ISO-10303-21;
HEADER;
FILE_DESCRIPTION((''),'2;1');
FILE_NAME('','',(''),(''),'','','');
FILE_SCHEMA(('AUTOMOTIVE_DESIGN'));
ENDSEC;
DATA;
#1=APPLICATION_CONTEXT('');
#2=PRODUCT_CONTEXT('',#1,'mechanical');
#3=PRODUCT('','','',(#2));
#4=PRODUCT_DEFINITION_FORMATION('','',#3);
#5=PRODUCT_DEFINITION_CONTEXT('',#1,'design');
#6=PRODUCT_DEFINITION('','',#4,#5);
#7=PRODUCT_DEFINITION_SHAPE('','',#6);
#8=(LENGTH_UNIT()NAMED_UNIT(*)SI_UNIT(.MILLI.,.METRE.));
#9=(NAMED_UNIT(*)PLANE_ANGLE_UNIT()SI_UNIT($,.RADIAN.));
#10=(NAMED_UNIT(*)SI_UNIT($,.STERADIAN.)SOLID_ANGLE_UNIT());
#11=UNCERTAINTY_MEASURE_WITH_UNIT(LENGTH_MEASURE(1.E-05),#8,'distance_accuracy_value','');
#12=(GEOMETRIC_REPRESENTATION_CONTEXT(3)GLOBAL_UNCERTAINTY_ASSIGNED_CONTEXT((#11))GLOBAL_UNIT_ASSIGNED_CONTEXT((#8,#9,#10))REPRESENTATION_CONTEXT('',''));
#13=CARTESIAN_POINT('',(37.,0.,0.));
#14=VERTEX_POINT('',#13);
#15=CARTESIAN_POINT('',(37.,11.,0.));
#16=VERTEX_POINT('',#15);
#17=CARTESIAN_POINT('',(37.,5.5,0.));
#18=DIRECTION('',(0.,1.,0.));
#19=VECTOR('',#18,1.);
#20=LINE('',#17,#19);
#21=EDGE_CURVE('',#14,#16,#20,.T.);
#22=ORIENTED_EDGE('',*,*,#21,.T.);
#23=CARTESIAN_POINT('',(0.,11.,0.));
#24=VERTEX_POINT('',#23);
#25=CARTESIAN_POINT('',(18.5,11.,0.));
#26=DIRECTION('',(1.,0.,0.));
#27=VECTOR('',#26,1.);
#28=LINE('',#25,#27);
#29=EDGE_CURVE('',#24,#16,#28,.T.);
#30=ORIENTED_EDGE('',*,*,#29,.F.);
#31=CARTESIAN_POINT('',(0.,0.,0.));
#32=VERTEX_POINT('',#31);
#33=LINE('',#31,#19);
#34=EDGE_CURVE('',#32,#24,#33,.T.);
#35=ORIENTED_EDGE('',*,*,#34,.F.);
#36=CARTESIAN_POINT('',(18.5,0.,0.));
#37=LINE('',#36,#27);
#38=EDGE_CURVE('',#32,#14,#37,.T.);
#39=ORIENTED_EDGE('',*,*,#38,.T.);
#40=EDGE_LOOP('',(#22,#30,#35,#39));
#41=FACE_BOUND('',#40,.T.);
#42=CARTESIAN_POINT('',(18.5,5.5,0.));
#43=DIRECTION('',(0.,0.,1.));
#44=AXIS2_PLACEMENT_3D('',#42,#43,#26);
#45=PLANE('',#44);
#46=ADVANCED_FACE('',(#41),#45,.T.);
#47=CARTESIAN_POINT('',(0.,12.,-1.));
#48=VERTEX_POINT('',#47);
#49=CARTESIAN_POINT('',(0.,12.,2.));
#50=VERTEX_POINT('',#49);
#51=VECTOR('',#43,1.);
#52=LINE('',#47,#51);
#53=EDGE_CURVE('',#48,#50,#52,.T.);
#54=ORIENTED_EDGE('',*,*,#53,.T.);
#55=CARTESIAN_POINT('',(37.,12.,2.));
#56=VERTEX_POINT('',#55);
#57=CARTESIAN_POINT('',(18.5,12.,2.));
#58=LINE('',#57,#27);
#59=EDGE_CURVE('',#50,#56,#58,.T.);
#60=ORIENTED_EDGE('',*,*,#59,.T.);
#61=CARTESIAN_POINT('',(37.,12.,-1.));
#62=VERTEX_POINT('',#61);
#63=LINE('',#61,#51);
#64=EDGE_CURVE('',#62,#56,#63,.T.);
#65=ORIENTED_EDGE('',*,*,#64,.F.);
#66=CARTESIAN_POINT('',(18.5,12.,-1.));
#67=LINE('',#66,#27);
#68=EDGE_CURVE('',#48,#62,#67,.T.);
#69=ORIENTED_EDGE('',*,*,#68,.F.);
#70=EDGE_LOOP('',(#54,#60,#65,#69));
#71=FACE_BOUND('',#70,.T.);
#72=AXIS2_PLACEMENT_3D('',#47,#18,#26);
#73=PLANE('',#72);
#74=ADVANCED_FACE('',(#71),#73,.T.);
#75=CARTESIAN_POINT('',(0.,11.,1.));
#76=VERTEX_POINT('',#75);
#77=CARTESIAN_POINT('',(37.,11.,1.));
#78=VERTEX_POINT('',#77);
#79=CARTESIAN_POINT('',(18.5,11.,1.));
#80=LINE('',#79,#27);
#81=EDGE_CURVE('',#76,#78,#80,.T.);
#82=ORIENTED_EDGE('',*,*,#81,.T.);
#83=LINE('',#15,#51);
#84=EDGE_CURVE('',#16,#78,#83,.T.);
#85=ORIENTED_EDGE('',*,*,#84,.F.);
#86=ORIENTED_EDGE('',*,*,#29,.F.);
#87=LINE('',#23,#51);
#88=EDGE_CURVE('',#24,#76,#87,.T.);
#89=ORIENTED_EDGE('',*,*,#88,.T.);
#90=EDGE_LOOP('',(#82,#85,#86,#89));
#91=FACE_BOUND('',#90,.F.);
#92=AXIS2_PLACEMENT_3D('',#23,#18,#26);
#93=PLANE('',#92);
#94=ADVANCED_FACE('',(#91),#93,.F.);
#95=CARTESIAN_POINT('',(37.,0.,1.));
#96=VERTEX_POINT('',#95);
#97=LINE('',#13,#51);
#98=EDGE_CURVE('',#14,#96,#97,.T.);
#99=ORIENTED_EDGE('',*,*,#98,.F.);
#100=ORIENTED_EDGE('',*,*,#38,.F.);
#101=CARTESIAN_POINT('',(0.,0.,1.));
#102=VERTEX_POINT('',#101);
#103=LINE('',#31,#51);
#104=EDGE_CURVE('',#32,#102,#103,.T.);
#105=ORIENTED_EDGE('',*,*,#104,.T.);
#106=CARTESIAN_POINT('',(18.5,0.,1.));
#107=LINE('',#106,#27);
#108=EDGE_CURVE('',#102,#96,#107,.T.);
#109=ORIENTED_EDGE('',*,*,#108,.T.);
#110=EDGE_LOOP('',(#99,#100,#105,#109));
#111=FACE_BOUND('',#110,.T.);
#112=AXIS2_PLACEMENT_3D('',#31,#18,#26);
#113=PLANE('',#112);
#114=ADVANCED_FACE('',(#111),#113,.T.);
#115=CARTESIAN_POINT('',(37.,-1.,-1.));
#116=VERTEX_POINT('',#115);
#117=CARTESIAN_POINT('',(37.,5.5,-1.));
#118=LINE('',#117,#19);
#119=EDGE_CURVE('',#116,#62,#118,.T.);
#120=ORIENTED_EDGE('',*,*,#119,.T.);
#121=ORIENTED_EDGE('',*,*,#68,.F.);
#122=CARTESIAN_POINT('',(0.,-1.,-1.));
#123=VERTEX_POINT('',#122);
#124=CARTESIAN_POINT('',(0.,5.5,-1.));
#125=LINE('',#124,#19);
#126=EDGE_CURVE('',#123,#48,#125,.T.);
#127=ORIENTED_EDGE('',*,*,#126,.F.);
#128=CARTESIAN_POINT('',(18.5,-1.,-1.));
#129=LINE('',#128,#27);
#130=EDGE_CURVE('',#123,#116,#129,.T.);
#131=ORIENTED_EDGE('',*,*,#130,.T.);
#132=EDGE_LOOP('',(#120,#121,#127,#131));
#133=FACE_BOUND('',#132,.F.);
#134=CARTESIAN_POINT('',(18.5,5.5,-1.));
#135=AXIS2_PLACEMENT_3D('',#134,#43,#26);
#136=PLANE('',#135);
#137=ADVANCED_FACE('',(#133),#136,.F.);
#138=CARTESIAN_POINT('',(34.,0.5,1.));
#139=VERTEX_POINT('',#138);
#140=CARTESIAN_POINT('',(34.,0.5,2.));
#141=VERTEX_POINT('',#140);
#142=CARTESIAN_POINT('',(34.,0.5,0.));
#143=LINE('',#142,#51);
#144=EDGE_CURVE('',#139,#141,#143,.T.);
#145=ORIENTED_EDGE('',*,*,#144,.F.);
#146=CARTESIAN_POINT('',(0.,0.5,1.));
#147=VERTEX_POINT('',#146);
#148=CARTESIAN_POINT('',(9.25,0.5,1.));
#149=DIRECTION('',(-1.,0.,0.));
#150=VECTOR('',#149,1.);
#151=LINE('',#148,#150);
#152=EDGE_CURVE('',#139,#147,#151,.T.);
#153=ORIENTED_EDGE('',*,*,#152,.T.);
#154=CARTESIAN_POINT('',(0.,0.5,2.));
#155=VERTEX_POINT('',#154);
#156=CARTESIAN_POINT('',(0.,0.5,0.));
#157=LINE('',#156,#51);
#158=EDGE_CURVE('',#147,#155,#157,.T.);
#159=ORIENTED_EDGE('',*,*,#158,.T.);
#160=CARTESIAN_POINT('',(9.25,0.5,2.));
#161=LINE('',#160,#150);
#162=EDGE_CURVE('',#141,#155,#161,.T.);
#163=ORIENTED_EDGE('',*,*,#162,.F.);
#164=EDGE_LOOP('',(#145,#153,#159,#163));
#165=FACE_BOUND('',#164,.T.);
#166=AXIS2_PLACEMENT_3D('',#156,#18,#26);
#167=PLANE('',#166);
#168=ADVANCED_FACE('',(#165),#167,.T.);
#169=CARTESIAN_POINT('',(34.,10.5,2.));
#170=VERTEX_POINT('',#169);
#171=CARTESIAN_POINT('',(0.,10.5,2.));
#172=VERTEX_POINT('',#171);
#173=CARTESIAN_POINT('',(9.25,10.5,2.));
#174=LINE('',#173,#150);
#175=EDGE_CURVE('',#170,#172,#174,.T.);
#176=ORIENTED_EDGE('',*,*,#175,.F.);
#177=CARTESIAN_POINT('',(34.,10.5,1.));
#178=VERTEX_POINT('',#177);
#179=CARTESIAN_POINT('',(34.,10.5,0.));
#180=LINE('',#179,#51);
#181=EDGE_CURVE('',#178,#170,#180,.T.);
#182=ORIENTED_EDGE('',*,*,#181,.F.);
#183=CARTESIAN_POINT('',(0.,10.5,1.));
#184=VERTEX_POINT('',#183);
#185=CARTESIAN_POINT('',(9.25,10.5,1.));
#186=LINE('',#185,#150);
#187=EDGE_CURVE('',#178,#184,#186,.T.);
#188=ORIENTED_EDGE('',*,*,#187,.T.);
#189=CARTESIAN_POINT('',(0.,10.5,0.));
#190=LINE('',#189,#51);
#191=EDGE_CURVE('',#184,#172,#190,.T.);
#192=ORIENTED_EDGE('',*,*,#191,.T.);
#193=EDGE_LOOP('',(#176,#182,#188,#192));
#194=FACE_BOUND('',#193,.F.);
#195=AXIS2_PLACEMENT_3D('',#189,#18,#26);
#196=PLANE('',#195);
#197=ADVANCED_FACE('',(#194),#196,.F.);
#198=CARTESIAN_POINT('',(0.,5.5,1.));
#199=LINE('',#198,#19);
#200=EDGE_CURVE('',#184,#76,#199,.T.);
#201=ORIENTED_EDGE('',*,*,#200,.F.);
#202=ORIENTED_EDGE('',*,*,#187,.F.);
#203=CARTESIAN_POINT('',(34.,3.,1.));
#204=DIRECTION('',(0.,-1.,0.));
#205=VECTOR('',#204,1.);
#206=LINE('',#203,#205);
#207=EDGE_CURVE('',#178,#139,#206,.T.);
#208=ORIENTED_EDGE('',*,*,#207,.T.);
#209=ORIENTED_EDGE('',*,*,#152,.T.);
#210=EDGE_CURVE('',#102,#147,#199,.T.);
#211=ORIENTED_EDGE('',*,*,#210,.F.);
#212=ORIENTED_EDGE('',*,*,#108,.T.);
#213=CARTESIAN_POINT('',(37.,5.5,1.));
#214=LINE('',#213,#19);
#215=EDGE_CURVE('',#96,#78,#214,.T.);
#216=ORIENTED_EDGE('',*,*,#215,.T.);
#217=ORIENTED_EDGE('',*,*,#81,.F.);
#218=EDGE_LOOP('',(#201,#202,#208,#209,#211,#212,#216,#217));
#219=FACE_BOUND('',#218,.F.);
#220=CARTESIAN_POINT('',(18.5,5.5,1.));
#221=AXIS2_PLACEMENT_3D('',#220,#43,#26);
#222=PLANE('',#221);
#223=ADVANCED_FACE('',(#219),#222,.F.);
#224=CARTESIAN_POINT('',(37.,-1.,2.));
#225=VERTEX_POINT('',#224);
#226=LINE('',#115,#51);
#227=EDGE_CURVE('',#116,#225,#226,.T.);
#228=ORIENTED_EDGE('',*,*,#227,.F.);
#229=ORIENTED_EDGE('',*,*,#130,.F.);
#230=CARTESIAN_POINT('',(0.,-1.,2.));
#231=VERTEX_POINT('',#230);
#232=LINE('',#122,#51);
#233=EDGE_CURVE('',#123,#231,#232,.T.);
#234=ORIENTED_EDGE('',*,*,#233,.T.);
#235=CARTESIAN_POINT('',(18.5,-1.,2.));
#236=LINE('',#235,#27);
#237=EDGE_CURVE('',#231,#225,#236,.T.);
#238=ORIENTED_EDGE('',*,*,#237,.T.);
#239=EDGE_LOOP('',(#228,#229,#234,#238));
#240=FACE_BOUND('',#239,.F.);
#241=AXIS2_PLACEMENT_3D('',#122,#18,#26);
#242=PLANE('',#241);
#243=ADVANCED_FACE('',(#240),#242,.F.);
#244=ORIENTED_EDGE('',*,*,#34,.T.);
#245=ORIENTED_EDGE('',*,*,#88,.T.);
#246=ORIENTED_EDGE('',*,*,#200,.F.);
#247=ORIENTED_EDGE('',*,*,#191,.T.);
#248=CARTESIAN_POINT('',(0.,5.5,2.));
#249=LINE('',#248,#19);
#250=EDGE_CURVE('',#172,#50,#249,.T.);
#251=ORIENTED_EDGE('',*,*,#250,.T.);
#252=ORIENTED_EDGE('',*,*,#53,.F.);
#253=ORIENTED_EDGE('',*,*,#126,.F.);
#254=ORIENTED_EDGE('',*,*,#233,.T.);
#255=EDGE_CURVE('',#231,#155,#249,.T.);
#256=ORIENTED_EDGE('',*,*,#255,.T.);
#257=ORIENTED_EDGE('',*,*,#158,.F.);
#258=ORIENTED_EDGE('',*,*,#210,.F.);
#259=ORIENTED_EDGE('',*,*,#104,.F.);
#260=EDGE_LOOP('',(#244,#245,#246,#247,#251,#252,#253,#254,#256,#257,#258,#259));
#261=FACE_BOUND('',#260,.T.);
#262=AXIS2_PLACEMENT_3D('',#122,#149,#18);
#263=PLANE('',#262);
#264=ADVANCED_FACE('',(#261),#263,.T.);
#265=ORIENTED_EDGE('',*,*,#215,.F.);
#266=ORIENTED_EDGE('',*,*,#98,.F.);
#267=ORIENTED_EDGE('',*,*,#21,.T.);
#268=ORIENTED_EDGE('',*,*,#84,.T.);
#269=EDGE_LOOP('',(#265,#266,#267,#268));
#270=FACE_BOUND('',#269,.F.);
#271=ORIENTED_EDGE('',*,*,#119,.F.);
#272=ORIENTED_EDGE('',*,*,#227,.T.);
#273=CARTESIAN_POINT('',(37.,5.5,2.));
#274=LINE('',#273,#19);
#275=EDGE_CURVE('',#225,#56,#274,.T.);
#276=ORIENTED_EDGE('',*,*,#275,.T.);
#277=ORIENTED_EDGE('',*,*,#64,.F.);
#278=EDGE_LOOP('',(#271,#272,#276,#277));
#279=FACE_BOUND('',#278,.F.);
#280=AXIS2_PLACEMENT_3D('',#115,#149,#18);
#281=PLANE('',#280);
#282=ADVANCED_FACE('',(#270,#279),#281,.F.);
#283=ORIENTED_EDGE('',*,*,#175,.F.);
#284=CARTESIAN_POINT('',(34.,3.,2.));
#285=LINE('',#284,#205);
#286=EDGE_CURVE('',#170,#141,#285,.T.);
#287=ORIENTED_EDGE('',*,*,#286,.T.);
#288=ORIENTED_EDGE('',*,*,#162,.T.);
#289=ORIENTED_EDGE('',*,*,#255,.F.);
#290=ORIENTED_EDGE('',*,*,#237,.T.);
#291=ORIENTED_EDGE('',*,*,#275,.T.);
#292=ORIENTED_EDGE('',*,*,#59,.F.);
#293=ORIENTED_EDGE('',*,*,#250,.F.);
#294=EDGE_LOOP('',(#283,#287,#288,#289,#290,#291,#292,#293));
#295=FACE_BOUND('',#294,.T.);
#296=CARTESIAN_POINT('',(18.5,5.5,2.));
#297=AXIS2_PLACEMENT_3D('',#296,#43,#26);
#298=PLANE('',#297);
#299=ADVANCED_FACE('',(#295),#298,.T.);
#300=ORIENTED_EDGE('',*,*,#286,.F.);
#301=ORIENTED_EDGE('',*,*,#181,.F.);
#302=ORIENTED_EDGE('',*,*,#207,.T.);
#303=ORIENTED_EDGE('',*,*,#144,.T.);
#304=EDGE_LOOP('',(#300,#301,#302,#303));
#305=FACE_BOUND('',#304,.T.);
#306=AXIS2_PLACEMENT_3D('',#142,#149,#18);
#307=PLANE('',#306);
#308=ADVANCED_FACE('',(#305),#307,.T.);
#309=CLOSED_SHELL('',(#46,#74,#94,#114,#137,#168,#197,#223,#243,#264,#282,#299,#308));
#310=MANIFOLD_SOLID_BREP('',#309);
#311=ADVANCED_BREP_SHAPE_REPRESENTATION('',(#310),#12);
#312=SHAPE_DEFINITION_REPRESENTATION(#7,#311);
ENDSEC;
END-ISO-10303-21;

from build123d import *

# Parameters (mm, degrees)
BOX002_W     = 34
BOX002_H     = 10
BOX002_DEPTH = 3
BOX_W        = 37
BOX_H        = 11
BOX_DEPTH    = 1
BOX001_W     = 37
BOX001_H     = 13
BOX001_DEPTH = 3


with BuildPart() as cube002:
    # Box002 → Box002 (new body)
    with BuildSketch(Plane(origin=(0, 0.5, 0), x_dir=(1, 0, 0), z_dir=(0, 0, 1))):
        with Locations((17, 5)):
            Rectangle(BOX002_W, BOX002_H)
    extrude(amount=BOX002_DEPTH)


with BuildPart() as cube:
    # Box → Box (new body)
    with BuildSketch(Plane.XY):
        with Locations((18.5, 5.5)):
            Rectangle(BOX_W, BOX_H)
    extrude(amount=BOX_DEPTH)


with BuildPart() as cut001:
    # Box001 → Box001 (new body)
    with BuildSketch(Plane(origin=(0, -1, -1), x_dir=(1, 0, 0), z_dir=(0, 0, 1))):
        with Locations((18.5, 6.5)):
            Rectangle(BOX001_W, BOX001_H)
    extrude(amount=BOX001_DEPTH)

    # Cut: cut Cube
    add(cube.part, mode=Mode.SUBTRACT)

    # Cut001: cut Cube002
    add(cube002.part, mode=Mode.SUBTRACT)


solid = cut001.part
